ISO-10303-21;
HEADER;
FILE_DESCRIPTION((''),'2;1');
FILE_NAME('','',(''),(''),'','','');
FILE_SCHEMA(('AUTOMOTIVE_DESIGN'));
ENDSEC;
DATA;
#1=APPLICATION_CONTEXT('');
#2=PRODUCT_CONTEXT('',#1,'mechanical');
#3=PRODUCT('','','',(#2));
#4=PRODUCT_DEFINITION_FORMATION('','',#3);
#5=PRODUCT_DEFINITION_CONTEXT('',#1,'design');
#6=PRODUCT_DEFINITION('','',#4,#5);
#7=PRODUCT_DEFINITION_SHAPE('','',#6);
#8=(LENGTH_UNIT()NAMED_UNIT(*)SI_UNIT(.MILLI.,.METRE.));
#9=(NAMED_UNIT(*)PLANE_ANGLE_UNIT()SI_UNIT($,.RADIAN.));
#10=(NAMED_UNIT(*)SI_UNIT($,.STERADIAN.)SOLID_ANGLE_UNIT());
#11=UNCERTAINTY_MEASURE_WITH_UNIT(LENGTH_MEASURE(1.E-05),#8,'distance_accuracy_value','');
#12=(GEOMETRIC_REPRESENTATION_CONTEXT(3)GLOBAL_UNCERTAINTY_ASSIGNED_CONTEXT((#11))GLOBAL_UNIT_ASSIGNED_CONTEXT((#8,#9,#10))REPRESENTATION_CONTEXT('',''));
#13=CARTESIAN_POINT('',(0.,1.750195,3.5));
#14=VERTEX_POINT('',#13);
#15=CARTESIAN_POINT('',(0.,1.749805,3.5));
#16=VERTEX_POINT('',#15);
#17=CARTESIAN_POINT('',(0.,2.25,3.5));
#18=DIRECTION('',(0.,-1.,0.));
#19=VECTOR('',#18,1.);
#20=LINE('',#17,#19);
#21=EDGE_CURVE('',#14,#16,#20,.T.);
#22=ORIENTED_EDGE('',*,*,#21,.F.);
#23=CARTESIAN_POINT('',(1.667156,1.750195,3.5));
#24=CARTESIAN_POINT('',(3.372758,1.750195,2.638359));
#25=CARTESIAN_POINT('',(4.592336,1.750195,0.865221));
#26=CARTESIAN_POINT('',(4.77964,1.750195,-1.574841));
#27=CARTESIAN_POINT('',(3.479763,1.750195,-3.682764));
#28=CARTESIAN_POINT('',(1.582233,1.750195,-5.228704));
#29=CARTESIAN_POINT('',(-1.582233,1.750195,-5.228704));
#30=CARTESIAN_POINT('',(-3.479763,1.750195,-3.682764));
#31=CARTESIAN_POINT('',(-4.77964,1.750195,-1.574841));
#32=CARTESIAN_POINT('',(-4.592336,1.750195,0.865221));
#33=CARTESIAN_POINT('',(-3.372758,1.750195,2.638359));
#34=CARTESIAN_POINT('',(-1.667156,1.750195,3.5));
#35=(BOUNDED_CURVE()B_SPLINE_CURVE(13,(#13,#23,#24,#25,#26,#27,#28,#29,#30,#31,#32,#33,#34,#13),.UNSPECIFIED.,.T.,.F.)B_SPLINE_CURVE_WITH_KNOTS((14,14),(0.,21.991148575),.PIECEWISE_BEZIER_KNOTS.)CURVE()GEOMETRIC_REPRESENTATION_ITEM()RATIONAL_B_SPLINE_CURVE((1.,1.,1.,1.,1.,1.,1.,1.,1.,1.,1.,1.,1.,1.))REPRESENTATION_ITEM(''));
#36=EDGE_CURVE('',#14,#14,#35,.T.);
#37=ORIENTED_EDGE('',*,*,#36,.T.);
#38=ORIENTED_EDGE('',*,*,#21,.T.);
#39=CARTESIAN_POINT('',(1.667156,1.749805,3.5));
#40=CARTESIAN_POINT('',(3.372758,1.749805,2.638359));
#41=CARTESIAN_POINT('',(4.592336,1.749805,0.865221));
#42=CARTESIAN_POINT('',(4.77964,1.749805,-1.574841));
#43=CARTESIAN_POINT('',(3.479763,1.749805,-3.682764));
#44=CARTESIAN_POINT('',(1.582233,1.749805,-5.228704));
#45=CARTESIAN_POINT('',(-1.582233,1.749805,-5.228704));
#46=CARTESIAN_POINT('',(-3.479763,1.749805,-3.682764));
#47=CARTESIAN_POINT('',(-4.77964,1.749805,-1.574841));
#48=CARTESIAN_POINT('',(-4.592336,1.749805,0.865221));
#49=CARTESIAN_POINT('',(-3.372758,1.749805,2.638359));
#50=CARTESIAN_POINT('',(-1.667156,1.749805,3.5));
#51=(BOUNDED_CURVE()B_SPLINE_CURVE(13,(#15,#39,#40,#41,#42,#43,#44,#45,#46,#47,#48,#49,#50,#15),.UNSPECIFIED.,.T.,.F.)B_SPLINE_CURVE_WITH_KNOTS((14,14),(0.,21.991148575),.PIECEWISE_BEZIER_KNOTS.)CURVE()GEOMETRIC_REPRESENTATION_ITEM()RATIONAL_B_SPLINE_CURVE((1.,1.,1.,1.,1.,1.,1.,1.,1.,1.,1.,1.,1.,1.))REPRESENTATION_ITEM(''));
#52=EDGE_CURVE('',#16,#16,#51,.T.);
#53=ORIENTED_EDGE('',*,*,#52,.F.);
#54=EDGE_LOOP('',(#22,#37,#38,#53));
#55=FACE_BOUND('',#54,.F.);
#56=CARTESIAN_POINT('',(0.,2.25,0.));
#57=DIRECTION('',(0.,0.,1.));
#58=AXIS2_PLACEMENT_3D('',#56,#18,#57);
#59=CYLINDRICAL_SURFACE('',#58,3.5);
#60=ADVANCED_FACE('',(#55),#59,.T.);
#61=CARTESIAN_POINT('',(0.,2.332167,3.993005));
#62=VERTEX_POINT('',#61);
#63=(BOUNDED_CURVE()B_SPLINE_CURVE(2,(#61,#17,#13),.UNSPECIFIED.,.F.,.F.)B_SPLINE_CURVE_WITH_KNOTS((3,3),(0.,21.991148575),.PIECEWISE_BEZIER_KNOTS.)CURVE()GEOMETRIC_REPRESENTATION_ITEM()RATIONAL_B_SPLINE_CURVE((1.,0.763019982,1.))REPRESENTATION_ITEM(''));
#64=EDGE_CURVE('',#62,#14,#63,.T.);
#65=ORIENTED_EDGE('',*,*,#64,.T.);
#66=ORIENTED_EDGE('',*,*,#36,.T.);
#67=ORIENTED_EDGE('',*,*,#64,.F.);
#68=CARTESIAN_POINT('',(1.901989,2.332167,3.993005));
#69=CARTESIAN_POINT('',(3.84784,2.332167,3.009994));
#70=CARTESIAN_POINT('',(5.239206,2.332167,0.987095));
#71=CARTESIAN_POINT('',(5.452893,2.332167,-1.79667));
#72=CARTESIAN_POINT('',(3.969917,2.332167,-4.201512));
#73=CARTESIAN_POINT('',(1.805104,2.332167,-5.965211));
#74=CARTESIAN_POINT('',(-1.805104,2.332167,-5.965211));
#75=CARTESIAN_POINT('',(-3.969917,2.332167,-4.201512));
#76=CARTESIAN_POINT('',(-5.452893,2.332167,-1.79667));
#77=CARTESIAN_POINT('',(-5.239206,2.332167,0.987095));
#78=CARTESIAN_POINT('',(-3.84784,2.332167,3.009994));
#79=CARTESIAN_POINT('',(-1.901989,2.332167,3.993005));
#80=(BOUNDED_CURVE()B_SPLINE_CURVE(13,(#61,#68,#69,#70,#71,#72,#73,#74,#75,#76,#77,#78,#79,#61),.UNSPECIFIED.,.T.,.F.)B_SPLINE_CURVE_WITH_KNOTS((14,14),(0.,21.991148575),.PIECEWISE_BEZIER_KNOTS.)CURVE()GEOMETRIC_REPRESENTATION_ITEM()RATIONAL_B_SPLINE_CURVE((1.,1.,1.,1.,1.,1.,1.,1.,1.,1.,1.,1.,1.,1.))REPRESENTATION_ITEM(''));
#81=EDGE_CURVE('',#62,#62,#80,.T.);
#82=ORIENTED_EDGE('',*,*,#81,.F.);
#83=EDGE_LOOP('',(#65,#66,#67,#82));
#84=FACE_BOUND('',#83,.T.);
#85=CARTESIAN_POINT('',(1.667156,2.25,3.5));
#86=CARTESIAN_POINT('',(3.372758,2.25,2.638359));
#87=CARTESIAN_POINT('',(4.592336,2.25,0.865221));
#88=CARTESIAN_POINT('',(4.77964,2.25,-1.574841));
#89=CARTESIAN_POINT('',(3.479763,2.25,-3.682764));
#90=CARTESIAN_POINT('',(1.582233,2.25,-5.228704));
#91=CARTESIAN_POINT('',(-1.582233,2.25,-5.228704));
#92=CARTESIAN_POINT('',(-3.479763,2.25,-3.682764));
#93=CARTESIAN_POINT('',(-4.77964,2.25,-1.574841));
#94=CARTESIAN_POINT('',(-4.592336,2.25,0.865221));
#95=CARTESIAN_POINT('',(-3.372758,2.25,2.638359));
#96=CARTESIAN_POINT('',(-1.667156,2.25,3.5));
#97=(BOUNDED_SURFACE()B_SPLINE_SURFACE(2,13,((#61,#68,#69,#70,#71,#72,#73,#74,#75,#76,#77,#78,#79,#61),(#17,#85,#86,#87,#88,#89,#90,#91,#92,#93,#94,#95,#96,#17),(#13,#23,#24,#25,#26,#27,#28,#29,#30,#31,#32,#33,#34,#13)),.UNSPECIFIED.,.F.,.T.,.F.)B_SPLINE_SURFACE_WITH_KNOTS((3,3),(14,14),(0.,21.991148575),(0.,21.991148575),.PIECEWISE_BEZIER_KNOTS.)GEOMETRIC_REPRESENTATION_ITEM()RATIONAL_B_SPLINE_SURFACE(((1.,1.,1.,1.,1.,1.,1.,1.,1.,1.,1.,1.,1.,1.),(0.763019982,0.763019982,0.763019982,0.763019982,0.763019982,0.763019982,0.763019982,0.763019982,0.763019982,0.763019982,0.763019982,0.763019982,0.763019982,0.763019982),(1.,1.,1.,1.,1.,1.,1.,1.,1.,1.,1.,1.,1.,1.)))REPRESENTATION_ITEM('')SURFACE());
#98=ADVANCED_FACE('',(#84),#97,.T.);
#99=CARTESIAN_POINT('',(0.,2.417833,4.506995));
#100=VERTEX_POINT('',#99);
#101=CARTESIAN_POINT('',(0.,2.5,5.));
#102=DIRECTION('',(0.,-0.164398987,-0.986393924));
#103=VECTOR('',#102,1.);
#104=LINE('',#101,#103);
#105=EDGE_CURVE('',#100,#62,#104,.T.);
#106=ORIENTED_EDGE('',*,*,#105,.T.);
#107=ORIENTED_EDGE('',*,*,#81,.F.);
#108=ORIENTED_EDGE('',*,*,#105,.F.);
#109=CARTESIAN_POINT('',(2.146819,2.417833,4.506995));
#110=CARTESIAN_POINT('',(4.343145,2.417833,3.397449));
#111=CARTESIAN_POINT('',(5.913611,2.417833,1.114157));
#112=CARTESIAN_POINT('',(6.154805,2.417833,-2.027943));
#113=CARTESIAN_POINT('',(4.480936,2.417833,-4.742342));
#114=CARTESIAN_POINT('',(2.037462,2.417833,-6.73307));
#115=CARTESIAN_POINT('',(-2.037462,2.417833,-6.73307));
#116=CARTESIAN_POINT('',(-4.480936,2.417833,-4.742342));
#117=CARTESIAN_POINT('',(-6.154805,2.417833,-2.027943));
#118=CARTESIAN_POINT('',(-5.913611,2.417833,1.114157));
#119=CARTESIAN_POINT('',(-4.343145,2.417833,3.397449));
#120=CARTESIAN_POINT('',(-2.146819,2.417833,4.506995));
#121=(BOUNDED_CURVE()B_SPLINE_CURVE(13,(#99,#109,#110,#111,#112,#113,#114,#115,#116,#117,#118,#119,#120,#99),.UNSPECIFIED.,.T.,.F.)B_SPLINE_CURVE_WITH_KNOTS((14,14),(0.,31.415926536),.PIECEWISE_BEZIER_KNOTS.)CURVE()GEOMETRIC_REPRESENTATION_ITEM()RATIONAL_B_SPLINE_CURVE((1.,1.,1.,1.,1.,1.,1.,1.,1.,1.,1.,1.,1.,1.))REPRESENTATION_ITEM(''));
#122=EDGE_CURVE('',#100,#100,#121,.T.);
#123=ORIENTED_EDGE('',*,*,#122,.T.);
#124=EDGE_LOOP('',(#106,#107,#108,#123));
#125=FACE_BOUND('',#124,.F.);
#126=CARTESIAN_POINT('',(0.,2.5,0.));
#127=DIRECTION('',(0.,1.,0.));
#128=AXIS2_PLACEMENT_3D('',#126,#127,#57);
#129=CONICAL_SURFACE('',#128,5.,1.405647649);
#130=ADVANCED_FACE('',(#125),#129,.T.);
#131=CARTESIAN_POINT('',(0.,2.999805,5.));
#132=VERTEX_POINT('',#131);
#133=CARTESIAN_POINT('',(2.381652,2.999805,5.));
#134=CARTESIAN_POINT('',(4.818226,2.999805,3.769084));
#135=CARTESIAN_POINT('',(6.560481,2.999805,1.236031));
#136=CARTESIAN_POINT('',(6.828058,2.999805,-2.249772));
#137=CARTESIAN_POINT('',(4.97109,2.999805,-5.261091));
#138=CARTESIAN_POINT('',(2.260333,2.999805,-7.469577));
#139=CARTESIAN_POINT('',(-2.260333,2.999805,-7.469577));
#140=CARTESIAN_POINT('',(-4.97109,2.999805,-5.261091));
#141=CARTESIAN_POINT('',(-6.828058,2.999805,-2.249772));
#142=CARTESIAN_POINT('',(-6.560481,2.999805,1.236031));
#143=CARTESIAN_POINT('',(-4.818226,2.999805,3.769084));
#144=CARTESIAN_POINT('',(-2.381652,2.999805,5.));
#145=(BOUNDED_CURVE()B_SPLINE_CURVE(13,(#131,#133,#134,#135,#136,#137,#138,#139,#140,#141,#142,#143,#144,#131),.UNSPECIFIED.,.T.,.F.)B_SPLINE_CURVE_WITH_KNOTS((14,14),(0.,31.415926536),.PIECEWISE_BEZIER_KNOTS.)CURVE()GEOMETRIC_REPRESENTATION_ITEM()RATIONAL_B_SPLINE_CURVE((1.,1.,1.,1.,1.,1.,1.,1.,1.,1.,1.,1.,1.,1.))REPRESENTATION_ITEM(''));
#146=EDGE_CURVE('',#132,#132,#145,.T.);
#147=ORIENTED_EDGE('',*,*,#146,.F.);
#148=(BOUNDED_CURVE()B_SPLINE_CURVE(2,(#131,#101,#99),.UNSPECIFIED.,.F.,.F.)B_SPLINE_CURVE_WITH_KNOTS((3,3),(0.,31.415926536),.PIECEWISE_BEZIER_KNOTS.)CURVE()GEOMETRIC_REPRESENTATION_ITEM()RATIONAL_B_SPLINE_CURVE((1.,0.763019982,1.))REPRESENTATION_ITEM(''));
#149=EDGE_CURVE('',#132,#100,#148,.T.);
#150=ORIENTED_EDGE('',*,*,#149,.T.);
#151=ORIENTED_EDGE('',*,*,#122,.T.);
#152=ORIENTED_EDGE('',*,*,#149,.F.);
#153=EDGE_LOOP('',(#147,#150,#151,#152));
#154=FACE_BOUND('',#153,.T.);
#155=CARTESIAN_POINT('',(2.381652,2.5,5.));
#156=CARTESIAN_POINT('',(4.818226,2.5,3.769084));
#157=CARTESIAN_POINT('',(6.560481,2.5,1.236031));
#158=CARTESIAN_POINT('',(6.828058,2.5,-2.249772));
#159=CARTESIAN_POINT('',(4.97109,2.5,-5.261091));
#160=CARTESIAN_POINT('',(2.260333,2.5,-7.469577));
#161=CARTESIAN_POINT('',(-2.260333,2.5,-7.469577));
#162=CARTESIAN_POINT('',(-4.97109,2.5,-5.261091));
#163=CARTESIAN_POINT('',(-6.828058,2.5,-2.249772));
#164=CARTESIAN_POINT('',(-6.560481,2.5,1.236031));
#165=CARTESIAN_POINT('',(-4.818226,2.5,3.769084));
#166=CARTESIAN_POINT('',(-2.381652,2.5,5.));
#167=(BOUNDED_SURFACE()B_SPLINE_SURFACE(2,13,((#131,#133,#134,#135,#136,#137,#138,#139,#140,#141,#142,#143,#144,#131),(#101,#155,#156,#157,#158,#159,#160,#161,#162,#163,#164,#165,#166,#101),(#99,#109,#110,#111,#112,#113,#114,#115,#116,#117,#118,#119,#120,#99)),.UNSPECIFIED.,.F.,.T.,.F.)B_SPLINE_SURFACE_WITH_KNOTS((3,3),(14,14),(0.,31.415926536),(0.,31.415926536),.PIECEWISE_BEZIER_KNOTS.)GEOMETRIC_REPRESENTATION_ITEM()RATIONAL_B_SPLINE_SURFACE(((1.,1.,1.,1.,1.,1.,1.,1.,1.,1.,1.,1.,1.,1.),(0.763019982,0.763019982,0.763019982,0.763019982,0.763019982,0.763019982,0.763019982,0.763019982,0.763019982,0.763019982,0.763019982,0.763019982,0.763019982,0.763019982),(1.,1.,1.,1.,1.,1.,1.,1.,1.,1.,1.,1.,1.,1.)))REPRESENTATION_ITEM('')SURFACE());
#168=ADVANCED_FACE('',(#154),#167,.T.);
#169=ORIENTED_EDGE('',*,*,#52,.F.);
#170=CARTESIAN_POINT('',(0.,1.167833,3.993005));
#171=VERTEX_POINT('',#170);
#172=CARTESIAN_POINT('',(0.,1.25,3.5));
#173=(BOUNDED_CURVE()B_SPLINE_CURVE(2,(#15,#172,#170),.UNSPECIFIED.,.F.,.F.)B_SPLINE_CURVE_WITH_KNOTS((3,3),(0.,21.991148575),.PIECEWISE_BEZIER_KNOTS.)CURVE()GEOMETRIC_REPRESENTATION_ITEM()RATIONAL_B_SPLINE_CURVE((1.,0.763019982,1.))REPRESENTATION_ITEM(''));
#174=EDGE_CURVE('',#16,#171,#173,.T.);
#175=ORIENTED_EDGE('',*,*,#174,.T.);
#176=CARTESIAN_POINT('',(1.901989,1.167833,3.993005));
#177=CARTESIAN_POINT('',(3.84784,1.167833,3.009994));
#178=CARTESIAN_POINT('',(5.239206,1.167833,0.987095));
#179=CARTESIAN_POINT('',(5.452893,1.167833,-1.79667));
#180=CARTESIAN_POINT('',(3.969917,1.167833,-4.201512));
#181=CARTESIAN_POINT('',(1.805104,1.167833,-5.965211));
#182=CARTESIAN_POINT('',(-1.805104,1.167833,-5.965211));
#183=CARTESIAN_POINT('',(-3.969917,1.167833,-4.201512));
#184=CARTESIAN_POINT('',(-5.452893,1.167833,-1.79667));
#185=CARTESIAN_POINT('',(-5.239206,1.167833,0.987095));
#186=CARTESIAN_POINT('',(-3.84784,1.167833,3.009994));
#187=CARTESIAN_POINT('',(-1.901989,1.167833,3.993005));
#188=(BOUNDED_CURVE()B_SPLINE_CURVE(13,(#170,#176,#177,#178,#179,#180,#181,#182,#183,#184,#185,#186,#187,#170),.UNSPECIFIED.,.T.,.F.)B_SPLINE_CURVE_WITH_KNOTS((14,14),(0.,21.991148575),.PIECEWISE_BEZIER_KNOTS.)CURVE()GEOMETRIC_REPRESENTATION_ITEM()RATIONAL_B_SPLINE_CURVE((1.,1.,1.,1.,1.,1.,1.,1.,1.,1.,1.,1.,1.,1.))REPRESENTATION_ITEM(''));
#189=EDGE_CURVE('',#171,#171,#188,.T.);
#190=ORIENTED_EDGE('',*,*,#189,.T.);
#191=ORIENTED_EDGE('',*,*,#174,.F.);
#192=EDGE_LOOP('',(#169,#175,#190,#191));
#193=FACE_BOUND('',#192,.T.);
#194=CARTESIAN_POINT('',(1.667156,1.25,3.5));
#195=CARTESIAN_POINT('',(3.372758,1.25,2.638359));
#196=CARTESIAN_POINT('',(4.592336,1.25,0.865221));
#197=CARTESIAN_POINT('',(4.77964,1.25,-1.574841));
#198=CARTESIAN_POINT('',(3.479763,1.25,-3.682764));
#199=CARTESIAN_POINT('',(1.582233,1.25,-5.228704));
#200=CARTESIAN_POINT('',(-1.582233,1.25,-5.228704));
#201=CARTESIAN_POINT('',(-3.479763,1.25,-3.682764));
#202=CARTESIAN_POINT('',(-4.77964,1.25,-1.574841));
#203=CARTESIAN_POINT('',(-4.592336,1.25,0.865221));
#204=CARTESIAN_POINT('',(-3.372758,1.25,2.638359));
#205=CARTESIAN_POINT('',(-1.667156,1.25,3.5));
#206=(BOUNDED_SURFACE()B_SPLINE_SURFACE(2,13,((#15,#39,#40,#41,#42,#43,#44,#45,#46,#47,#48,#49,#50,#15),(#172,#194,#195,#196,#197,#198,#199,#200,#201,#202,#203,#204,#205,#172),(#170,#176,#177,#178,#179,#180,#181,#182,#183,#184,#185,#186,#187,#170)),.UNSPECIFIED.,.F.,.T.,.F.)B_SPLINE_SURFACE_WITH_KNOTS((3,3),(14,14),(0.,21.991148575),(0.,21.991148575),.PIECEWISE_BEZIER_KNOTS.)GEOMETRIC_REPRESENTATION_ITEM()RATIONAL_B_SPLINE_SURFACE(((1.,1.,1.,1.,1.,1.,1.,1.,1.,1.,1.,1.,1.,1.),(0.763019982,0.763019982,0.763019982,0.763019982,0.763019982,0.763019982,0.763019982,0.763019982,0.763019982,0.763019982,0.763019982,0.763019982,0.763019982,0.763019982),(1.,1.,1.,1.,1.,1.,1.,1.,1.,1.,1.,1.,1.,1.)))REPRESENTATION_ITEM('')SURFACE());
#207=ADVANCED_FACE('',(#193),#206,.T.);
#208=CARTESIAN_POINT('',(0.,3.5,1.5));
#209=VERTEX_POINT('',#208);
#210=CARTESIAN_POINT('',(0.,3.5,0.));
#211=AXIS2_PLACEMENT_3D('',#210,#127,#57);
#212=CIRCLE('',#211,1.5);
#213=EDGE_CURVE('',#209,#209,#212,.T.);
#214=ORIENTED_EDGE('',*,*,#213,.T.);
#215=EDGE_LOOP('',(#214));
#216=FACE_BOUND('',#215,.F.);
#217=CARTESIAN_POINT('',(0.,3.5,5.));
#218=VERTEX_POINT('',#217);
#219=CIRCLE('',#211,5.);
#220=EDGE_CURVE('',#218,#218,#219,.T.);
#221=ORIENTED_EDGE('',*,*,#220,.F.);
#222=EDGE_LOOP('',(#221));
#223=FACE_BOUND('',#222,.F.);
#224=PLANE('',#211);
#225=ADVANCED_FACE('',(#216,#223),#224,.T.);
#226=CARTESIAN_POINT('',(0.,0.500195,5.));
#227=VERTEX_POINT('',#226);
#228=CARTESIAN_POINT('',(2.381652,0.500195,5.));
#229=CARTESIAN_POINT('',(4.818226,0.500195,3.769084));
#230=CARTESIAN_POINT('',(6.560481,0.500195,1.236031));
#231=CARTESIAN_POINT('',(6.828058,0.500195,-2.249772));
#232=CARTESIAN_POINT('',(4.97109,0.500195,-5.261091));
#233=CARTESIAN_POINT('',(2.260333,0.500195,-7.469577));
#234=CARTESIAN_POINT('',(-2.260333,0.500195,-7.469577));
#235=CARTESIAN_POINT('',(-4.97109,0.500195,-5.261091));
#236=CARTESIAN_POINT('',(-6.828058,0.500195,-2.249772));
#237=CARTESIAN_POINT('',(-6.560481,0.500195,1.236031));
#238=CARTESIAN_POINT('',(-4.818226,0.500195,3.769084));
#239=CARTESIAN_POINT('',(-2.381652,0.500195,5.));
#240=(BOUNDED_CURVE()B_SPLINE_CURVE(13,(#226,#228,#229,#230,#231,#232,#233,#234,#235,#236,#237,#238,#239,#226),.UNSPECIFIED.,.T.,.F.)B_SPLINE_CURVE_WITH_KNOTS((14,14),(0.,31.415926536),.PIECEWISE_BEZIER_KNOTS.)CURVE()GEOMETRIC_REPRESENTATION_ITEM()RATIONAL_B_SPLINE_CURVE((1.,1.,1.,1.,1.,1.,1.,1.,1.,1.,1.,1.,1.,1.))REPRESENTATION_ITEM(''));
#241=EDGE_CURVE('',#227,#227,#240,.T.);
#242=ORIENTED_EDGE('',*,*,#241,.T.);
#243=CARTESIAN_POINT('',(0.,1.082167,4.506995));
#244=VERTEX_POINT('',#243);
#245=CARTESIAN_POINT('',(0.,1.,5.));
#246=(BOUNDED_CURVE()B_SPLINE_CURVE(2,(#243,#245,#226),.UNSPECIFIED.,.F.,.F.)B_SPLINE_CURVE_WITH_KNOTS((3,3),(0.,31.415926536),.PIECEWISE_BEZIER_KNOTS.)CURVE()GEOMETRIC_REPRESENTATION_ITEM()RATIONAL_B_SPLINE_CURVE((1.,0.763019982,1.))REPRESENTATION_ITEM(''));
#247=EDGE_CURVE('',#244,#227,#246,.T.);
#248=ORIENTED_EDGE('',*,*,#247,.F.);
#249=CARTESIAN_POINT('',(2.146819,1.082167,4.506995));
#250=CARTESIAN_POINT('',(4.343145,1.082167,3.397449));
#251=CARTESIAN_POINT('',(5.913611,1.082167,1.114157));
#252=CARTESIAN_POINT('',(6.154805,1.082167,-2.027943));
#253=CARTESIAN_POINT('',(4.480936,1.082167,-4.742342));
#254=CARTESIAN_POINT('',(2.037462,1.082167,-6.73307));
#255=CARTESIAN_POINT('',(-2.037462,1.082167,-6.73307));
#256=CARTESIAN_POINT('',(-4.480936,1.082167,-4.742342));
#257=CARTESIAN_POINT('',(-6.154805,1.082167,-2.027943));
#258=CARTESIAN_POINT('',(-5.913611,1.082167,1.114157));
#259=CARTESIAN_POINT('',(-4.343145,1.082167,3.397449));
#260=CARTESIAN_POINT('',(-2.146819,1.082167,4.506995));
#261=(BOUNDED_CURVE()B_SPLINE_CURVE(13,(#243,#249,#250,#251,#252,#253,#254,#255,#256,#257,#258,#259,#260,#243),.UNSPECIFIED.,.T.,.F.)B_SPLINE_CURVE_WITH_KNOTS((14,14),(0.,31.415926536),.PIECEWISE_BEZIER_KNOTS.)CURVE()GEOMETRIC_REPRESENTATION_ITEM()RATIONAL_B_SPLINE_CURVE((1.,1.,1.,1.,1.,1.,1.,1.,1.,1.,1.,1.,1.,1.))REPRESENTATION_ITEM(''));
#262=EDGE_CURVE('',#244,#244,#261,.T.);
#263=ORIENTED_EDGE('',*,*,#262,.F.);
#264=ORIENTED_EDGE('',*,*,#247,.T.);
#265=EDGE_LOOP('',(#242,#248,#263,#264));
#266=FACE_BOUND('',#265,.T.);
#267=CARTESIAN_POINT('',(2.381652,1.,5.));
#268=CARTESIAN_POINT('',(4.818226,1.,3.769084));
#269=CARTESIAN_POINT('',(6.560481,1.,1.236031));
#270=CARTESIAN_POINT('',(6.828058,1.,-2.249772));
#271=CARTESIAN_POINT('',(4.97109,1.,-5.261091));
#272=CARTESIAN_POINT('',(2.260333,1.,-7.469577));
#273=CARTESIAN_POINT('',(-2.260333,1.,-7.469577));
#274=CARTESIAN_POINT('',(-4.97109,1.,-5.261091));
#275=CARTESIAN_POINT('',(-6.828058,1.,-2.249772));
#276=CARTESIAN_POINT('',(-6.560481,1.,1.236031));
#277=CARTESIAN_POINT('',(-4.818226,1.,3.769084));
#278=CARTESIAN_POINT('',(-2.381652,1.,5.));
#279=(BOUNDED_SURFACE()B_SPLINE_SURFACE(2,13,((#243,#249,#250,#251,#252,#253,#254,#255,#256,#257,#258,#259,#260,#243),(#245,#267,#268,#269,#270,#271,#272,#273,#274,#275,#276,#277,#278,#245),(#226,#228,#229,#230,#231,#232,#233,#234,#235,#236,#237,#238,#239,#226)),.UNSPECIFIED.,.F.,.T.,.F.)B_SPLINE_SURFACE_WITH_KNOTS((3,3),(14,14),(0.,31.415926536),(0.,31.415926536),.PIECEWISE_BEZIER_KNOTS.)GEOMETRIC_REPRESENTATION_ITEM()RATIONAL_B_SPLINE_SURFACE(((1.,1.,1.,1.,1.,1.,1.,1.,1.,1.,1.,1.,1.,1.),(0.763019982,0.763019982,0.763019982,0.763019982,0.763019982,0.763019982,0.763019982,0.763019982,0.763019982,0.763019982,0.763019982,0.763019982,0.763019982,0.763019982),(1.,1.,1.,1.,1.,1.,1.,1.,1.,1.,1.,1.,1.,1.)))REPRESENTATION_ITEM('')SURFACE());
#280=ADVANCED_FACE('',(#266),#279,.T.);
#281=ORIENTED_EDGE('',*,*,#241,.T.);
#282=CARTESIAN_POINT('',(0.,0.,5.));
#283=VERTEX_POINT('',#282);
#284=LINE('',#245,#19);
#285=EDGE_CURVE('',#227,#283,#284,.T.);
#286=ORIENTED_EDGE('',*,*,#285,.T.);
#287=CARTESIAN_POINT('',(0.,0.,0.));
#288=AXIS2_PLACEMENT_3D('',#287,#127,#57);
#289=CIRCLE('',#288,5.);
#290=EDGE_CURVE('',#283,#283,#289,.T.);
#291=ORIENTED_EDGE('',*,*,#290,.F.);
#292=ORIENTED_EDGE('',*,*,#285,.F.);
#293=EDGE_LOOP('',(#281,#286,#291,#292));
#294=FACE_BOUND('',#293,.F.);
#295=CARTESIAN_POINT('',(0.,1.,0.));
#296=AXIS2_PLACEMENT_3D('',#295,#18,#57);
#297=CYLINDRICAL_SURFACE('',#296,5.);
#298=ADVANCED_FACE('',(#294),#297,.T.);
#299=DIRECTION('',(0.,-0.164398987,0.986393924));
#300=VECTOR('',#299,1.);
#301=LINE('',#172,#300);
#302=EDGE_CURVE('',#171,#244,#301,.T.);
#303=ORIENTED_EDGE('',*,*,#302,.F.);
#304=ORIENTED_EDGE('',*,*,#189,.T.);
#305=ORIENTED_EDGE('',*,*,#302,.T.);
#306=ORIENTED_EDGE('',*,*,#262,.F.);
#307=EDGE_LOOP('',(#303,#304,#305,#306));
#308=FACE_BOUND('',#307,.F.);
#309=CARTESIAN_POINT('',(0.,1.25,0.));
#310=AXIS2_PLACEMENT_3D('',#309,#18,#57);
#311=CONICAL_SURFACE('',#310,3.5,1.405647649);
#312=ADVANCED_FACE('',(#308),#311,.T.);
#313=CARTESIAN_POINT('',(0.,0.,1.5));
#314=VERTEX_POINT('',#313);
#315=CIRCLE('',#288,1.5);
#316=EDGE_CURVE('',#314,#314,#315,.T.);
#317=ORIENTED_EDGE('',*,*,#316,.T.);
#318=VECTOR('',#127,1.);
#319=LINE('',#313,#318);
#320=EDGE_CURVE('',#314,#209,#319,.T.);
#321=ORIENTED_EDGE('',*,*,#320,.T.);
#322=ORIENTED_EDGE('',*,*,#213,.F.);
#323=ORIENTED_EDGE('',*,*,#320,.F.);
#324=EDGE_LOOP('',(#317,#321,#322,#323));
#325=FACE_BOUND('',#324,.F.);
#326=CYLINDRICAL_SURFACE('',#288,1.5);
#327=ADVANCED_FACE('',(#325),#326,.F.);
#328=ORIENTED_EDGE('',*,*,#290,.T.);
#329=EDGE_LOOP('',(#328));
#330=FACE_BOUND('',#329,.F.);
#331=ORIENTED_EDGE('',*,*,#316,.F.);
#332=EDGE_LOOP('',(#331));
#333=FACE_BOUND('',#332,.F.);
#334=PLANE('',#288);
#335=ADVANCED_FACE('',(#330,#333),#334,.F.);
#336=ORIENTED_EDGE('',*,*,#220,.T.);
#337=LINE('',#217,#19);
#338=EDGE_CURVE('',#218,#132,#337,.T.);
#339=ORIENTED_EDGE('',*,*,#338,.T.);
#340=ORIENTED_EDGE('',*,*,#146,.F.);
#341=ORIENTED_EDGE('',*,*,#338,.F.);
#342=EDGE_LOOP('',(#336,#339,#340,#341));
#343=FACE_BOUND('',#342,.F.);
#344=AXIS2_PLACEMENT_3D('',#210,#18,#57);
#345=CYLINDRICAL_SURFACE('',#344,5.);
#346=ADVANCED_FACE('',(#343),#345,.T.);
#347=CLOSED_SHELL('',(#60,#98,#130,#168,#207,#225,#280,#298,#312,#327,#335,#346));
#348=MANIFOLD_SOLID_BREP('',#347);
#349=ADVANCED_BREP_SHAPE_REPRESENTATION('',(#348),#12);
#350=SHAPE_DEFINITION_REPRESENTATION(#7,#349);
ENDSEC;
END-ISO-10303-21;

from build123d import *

# Parameters (mm, degrees)
F2_R = 0.59


with BuildPart() as f1:
    # F0 (on Right) → F1 (revolve)
    with BuildSketch(Plane.YZ):
        Polygon((0, 5), (0, 1.5), (3.5, 1.5), (3.5, 5), (2.5, 5), (2.25, 3.5), (1.25, 3.5), (1, 5), align=None)
    revolve(axis=Axis((0, 1.75, 0), (0, 1, 0)))

    # F2
    f2_edges = [f1.edges().sort_by_distance(p)[0] for p in [
        (0, 1.25, -3.5),
        (0, 1, -5),
        (0, 1.125, 4.25),
        (0, 2.5, -5),
        (0, 2.25, -3.5),
        (0, 2.375, 4.25),
    ]]
    fillet(f2_edges, radius=F2_R)


solid = f1.part
